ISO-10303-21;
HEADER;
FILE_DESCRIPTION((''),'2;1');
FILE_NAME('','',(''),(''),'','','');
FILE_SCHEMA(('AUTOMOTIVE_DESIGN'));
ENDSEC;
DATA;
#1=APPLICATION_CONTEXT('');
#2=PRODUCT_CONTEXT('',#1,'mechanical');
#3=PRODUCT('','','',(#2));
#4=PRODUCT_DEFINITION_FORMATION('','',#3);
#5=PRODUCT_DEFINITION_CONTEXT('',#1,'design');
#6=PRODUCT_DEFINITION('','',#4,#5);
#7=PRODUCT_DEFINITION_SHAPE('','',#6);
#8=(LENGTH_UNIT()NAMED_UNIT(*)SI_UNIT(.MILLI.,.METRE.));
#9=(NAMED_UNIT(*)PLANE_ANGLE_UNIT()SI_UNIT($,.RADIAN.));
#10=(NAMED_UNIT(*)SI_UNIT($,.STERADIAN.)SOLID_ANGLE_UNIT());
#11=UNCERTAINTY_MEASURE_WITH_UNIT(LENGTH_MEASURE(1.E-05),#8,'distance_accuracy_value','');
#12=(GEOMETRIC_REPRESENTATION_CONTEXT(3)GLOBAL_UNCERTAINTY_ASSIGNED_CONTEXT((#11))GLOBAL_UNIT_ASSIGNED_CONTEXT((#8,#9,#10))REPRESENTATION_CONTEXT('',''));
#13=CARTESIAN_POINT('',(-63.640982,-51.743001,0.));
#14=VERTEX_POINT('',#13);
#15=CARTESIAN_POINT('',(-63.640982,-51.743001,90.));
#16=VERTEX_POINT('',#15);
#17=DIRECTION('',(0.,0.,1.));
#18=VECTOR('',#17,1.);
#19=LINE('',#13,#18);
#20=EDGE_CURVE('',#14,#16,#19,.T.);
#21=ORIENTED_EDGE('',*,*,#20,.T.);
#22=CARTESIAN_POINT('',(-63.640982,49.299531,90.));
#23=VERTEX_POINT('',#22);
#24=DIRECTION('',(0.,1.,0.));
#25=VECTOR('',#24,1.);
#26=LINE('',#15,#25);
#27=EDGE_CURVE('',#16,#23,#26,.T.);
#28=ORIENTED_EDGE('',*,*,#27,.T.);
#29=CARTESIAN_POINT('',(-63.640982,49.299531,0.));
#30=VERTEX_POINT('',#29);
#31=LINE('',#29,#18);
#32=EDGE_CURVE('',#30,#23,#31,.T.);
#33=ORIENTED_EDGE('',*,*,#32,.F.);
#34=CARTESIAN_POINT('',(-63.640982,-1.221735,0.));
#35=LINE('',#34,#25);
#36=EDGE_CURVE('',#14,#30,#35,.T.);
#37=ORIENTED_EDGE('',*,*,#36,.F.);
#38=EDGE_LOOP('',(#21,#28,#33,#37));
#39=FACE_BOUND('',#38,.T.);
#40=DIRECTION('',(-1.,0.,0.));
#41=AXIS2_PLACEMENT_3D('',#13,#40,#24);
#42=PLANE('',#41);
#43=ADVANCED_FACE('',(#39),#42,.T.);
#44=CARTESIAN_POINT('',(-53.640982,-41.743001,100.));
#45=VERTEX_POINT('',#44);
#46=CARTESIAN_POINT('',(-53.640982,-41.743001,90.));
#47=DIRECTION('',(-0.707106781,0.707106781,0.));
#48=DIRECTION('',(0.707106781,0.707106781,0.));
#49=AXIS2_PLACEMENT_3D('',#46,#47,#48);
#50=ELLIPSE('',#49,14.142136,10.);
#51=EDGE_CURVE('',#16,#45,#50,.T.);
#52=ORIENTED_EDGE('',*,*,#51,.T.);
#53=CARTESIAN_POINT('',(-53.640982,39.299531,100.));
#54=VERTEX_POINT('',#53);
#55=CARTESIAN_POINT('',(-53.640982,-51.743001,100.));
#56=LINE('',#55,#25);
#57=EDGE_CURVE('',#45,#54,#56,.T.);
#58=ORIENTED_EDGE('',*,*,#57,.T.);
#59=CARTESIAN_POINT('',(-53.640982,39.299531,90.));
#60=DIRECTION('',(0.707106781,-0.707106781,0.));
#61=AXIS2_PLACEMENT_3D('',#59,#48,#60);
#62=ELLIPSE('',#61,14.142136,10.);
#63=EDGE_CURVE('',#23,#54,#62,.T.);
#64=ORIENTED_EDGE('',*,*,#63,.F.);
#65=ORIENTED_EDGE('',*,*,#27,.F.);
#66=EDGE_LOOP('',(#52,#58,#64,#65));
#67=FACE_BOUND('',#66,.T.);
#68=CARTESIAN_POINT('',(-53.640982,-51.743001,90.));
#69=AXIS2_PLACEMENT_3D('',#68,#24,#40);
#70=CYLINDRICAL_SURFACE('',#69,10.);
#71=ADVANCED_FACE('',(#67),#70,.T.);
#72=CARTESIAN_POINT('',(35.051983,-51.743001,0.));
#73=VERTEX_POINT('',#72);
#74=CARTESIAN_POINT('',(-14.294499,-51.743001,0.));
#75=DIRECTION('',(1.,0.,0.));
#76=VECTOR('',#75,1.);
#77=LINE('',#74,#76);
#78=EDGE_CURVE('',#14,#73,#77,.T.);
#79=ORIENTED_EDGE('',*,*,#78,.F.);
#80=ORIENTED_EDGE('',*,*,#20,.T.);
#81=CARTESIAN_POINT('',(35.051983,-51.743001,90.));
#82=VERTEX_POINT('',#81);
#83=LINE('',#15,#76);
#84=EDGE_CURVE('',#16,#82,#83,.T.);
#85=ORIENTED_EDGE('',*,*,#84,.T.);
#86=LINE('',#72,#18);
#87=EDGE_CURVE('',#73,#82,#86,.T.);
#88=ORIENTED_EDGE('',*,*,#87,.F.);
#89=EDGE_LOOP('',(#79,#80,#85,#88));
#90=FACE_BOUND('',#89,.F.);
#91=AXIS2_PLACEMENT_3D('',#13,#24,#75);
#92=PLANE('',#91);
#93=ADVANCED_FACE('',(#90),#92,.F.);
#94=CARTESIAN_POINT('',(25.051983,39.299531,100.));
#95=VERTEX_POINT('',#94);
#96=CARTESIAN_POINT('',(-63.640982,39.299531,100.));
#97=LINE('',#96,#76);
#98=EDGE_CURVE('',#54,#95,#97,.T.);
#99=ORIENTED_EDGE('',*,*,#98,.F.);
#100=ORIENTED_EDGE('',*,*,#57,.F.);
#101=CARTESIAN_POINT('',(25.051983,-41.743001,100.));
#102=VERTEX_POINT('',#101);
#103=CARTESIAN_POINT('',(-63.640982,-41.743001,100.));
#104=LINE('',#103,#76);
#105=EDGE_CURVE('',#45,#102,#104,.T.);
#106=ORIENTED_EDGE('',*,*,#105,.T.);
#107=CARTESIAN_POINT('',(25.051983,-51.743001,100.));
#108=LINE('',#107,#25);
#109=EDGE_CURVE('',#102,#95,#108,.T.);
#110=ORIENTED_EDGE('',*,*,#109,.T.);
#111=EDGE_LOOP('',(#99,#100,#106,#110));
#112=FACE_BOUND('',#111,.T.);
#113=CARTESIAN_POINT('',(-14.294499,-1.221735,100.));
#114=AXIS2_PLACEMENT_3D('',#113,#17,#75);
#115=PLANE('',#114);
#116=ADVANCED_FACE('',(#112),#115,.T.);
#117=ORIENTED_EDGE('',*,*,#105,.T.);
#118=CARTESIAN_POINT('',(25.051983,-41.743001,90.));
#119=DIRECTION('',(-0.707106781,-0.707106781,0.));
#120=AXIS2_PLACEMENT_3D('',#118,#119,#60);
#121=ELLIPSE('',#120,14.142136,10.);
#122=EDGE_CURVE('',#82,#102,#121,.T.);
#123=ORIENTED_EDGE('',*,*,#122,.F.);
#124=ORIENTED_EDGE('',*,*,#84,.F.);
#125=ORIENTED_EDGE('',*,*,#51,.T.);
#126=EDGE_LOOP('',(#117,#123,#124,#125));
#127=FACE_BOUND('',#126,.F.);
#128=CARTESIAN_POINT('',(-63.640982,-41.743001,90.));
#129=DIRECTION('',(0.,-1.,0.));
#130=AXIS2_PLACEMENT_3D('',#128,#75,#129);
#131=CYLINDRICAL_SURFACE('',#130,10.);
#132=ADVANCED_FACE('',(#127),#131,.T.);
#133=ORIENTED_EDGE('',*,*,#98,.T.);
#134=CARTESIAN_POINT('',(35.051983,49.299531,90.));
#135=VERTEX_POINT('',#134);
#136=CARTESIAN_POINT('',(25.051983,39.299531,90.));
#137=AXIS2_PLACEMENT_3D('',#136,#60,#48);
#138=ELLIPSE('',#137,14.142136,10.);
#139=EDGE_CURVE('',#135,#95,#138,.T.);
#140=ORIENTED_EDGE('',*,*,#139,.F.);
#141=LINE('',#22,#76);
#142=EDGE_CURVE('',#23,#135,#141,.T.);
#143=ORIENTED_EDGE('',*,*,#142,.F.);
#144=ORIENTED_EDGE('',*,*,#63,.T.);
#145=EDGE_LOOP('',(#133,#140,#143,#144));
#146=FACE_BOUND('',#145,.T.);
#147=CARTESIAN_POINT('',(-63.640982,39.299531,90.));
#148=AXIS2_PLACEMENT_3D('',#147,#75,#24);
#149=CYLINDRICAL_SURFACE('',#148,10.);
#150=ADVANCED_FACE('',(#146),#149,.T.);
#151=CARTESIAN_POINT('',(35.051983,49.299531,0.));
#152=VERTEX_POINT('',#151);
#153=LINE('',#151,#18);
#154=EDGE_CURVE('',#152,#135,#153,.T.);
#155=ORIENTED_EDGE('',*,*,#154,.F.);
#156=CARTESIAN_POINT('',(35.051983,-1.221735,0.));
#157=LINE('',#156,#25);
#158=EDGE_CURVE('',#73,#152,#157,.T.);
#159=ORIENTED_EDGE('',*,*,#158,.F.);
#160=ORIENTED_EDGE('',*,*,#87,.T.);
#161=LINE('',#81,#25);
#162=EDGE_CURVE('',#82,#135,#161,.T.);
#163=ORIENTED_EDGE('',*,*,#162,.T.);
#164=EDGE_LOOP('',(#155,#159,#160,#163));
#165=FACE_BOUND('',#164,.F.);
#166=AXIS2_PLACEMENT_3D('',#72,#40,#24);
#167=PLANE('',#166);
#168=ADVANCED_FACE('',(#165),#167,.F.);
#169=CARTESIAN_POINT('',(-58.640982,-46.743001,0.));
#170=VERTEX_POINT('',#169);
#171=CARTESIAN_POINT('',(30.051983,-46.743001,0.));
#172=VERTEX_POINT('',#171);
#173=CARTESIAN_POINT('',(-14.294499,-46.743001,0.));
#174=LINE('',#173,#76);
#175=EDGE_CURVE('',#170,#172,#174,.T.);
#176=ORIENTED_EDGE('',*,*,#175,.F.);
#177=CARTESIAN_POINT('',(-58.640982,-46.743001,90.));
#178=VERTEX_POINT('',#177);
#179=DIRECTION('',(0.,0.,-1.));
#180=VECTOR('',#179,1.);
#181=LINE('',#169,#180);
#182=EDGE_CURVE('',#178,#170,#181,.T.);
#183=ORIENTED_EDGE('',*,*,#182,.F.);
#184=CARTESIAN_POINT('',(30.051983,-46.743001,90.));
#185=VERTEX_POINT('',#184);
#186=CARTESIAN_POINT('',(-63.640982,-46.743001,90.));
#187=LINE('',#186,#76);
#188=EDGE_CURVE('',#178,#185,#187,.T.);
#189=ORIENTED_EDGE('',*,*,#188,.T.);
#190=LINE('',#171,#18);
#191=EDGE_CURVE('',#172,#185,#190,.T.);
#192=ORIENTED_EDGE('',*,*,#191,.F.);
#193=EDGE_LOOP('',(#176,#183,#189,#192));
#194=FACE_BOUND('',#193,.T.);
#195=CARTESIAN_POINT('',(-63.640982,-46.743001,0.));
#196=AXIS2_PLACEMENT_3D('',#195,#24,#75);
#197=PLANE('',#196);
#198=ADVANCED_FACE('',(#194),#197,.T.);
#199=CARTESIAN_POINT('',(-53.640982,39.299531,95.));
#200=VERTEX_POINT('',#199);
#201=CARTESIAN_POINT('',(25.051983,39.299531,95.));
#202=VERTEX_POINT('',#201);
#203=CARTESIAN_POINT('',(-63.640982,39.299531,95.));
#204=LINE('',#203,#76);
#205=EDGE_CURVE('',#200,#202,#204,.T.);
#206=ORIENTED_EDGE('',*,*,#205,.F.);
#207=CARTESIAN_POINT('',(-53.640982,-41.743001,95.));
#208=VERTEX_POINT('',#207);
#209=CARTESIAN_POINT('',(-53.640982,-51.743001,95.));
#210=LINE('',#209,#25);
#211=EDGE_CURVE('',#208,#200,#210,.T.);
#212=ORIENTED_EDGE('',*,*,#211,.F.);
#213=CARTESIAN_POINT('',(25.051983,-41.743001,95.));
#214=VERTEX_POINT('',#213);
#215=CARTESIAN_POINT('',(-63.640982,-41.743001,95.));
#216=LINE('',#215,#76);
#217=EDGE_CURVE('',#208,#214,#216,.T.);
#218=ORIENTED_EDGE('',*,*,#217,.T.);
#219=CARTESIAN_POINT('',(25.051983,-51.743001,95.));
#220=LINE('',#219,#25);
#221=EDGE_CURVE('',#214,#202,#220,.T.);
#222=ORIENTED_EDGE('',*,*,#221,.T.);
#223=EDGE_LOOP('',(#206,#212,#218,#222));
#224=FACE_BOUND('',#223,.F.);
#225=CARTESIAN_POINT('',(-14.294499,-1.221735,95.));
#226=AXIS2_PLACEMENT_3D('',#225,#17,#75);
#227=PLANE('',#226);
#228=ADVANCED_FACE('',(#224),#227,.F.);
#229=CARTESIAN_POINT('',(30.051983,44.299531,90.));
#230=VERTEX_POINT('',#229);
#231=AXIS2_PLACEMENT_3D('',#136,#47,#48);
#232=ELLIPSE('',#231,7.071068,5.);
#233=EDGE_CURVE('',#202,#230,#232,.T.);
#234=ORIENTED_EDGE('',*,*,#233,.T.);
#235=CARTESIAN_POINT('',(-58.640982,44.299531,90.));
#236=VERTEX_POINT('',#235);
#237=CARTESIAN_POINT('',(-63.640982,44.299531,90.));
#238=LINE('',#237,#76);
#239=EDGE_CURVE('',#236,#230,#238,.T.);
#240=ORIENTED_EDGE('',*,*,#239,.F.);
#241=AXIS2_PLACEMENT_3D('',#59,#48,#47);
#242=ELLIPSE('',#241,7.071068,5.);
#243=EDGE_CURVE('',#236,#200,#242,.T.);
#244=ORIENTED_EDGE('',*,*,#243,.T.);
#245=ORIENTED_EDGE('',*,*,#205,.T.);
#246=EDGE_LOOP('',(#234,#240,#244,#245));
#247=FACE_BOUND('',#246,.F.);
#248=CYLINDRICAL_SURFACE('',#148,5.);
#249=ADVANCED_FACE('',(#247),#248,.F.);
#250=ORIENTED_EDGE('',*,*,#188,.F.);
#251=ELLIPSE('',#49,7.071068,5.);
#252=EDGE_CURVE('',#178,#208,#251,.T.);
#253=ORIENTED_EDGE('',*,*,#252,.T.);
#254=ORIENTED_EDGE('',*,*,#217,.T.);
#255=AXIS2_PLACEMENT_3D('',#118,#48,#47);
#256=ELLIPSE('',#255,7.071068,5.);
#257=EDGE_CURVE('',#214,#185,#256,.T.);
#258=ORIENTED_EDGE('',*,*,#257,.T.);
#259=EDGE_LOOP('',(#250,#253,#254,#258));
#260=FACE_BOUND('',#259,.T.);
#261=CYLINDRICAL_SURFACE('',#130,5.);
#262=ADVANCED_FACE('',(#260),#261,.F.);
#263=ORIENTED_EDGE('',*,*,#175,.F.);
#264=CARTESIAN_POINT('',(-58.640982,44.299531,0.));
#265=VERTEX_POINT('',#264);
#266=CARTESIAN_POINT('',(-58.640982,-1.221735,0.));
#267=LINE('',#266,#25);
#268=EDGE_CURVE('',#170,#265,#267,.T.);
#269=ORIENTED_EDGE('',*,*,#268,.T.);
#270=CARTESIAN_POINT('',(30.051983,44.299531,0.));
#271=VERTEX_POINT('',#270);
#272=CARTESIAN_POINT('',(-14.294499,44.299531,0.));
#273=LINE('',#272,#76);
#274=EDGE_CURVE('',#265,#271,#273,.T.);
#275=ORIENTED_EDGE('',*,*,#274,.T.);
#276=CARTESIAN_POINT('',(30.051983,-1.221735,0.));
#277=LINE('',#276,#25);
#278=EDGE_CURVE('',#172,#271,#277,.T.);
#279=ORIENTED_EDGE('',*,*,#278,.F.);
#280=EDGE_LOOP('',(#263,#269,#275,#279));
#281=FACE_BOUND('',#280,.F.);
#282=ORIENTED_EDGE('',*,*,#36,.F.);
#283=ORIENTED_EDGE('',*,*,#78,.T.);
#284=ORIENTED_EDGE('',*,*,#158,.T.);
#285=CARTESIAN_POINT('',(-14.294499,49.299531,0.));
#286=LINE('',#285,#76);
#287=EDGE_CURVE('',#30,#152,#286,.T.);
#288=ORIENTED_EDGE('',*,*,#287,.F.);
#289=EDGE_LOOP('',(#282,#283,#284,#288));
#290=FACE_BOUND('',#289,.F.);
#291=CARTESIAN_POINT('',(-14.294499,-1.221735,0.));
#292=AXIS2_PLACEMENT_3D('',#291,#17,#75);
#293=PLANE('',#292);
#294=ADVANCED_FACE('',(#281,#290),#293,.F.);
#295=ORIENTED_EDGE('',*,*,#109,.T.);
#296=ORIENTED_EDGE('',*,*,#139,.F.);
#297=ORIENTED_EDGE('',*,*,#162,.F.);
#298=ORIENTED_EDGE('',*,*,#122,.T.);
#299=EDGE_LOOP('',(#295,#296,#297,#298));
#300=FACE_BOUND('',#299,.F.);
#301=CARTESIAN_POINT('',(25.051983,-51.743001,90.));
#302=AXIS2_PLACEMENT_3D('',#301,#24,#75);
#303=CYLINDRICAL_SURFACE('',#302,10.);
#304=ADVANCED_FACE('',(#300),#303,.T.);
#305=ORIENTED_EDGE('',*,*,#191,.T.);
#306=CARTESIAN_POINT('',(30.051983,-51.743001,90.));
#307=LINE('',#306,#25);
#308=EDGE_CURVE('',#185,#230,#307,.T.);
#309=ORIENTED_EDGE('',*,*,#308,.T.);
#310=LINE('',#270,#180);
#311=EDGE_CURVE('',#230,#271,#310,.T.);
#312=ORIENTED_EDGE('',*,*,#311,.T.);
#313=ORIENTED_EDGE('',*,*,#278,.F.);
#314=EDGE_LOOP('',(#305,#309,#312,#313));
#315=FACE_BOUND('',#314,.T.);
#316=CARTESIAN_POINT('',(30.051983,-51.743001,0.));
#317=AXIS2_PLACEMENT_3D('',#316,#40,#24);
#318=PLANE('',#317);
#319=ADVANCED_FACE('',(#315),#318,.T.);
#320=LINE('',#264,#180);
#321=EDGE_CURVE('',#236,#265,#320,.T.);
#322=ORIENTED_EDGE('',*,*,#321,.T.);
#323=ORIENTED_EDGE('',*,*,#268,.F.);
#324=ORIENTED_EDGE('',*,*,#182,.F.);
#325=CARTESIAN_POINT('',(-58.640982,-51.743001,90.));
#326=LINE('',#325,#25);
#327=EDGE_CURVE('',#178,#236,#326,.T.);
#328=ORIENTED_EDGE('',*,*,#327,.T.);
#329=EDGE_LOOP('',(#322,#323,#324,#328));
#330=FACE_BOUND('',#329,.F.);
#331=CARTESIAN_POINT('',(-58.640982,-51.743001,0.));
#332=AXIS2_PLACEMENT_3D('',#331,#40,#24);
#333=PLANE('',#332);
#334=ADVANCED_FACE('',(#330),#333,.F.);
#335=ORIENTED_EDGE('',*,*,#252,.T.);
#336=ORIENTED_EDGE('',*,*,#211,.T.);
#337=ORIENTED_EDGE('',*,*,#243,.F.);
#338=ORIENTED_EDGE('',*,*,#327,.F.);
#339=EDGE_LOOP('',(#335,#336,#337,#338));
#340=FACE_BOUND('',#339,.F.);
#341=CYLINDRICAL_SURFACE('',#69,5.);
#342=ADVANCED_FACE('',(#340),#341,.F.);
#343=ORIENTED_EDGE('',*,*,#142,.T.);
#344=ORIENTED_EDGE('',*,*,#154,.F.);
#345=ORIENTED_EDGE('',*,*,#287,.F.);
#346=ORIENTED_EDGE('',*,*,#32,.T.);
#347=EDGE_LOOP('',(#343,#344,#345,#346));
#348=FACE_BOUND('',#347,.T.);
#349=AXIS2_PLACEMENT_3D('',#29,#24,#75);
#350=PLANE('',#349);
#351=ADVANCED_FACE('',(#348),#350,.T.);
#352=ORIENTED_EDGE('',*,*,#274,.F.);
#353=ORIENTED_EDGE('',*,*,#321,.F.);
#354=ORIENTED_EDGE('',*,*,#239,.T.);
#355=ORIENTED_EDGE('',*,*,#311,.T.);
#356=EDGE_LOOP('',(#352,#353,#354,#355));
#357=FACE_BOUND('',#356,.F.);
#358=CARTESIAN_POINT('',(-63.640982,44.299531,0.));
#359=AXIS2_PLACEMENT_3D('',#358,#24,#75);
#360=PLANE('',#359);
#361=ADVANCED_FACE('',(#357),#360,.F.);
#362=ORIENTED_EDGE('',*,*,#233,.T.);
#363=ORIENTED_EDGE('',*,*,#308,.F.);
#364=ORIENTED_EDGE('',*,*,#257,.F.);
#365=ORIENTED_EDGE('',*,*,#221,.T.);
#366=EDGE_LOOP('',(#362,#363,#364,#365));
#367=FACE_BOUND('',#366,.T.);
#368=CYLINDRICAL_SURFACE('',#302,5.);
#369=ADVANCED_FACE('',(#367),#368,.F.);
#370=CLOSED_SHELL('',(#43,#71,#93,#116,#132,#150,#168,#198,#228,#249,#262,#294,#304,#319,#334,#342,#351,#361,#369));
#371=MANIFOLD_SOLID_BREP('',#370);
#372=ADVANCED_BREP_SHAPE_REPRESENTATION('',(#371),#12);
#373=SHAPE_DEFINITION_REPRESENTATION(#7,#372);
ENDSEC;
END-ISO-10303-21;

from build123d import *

# Parameters (mm, degrees)
F0_W     = 98.692965
F0_H     = 101.042532
F1_DEPTH = 100
F2_R     = 10
F3_T     = -5


with BuildPart() as f1:
    # F0 (on Top) → F1 (new body)
    with BuildSketch(Plane.XY):
        with Locations((-14.294499, -1.221735)):
            Rectangle(F0_W, F0_H)
    extrude(amount=F1_DEPTH)

    # F2
    f2_edges = [f1.edges().sort_by_distance(p)[0] for p in [
        (-14.2945, -51.743001, 100),
        (35.051983, -1.221735, 100),
        (-14.2945, 49.299531, 100),
        (-63.640982, -1.221735, 100),
    ]]
    fillet(f2_edges, radius=F2_R)

    # F3
    f3_openings = [f1.faces().sort_by_distance(p)[0] for p in [
        (-14.2945, -1.221735, 0),
    ]]
    offset(amount=F3_T, openings=f3_openings)


solid = f1.part
